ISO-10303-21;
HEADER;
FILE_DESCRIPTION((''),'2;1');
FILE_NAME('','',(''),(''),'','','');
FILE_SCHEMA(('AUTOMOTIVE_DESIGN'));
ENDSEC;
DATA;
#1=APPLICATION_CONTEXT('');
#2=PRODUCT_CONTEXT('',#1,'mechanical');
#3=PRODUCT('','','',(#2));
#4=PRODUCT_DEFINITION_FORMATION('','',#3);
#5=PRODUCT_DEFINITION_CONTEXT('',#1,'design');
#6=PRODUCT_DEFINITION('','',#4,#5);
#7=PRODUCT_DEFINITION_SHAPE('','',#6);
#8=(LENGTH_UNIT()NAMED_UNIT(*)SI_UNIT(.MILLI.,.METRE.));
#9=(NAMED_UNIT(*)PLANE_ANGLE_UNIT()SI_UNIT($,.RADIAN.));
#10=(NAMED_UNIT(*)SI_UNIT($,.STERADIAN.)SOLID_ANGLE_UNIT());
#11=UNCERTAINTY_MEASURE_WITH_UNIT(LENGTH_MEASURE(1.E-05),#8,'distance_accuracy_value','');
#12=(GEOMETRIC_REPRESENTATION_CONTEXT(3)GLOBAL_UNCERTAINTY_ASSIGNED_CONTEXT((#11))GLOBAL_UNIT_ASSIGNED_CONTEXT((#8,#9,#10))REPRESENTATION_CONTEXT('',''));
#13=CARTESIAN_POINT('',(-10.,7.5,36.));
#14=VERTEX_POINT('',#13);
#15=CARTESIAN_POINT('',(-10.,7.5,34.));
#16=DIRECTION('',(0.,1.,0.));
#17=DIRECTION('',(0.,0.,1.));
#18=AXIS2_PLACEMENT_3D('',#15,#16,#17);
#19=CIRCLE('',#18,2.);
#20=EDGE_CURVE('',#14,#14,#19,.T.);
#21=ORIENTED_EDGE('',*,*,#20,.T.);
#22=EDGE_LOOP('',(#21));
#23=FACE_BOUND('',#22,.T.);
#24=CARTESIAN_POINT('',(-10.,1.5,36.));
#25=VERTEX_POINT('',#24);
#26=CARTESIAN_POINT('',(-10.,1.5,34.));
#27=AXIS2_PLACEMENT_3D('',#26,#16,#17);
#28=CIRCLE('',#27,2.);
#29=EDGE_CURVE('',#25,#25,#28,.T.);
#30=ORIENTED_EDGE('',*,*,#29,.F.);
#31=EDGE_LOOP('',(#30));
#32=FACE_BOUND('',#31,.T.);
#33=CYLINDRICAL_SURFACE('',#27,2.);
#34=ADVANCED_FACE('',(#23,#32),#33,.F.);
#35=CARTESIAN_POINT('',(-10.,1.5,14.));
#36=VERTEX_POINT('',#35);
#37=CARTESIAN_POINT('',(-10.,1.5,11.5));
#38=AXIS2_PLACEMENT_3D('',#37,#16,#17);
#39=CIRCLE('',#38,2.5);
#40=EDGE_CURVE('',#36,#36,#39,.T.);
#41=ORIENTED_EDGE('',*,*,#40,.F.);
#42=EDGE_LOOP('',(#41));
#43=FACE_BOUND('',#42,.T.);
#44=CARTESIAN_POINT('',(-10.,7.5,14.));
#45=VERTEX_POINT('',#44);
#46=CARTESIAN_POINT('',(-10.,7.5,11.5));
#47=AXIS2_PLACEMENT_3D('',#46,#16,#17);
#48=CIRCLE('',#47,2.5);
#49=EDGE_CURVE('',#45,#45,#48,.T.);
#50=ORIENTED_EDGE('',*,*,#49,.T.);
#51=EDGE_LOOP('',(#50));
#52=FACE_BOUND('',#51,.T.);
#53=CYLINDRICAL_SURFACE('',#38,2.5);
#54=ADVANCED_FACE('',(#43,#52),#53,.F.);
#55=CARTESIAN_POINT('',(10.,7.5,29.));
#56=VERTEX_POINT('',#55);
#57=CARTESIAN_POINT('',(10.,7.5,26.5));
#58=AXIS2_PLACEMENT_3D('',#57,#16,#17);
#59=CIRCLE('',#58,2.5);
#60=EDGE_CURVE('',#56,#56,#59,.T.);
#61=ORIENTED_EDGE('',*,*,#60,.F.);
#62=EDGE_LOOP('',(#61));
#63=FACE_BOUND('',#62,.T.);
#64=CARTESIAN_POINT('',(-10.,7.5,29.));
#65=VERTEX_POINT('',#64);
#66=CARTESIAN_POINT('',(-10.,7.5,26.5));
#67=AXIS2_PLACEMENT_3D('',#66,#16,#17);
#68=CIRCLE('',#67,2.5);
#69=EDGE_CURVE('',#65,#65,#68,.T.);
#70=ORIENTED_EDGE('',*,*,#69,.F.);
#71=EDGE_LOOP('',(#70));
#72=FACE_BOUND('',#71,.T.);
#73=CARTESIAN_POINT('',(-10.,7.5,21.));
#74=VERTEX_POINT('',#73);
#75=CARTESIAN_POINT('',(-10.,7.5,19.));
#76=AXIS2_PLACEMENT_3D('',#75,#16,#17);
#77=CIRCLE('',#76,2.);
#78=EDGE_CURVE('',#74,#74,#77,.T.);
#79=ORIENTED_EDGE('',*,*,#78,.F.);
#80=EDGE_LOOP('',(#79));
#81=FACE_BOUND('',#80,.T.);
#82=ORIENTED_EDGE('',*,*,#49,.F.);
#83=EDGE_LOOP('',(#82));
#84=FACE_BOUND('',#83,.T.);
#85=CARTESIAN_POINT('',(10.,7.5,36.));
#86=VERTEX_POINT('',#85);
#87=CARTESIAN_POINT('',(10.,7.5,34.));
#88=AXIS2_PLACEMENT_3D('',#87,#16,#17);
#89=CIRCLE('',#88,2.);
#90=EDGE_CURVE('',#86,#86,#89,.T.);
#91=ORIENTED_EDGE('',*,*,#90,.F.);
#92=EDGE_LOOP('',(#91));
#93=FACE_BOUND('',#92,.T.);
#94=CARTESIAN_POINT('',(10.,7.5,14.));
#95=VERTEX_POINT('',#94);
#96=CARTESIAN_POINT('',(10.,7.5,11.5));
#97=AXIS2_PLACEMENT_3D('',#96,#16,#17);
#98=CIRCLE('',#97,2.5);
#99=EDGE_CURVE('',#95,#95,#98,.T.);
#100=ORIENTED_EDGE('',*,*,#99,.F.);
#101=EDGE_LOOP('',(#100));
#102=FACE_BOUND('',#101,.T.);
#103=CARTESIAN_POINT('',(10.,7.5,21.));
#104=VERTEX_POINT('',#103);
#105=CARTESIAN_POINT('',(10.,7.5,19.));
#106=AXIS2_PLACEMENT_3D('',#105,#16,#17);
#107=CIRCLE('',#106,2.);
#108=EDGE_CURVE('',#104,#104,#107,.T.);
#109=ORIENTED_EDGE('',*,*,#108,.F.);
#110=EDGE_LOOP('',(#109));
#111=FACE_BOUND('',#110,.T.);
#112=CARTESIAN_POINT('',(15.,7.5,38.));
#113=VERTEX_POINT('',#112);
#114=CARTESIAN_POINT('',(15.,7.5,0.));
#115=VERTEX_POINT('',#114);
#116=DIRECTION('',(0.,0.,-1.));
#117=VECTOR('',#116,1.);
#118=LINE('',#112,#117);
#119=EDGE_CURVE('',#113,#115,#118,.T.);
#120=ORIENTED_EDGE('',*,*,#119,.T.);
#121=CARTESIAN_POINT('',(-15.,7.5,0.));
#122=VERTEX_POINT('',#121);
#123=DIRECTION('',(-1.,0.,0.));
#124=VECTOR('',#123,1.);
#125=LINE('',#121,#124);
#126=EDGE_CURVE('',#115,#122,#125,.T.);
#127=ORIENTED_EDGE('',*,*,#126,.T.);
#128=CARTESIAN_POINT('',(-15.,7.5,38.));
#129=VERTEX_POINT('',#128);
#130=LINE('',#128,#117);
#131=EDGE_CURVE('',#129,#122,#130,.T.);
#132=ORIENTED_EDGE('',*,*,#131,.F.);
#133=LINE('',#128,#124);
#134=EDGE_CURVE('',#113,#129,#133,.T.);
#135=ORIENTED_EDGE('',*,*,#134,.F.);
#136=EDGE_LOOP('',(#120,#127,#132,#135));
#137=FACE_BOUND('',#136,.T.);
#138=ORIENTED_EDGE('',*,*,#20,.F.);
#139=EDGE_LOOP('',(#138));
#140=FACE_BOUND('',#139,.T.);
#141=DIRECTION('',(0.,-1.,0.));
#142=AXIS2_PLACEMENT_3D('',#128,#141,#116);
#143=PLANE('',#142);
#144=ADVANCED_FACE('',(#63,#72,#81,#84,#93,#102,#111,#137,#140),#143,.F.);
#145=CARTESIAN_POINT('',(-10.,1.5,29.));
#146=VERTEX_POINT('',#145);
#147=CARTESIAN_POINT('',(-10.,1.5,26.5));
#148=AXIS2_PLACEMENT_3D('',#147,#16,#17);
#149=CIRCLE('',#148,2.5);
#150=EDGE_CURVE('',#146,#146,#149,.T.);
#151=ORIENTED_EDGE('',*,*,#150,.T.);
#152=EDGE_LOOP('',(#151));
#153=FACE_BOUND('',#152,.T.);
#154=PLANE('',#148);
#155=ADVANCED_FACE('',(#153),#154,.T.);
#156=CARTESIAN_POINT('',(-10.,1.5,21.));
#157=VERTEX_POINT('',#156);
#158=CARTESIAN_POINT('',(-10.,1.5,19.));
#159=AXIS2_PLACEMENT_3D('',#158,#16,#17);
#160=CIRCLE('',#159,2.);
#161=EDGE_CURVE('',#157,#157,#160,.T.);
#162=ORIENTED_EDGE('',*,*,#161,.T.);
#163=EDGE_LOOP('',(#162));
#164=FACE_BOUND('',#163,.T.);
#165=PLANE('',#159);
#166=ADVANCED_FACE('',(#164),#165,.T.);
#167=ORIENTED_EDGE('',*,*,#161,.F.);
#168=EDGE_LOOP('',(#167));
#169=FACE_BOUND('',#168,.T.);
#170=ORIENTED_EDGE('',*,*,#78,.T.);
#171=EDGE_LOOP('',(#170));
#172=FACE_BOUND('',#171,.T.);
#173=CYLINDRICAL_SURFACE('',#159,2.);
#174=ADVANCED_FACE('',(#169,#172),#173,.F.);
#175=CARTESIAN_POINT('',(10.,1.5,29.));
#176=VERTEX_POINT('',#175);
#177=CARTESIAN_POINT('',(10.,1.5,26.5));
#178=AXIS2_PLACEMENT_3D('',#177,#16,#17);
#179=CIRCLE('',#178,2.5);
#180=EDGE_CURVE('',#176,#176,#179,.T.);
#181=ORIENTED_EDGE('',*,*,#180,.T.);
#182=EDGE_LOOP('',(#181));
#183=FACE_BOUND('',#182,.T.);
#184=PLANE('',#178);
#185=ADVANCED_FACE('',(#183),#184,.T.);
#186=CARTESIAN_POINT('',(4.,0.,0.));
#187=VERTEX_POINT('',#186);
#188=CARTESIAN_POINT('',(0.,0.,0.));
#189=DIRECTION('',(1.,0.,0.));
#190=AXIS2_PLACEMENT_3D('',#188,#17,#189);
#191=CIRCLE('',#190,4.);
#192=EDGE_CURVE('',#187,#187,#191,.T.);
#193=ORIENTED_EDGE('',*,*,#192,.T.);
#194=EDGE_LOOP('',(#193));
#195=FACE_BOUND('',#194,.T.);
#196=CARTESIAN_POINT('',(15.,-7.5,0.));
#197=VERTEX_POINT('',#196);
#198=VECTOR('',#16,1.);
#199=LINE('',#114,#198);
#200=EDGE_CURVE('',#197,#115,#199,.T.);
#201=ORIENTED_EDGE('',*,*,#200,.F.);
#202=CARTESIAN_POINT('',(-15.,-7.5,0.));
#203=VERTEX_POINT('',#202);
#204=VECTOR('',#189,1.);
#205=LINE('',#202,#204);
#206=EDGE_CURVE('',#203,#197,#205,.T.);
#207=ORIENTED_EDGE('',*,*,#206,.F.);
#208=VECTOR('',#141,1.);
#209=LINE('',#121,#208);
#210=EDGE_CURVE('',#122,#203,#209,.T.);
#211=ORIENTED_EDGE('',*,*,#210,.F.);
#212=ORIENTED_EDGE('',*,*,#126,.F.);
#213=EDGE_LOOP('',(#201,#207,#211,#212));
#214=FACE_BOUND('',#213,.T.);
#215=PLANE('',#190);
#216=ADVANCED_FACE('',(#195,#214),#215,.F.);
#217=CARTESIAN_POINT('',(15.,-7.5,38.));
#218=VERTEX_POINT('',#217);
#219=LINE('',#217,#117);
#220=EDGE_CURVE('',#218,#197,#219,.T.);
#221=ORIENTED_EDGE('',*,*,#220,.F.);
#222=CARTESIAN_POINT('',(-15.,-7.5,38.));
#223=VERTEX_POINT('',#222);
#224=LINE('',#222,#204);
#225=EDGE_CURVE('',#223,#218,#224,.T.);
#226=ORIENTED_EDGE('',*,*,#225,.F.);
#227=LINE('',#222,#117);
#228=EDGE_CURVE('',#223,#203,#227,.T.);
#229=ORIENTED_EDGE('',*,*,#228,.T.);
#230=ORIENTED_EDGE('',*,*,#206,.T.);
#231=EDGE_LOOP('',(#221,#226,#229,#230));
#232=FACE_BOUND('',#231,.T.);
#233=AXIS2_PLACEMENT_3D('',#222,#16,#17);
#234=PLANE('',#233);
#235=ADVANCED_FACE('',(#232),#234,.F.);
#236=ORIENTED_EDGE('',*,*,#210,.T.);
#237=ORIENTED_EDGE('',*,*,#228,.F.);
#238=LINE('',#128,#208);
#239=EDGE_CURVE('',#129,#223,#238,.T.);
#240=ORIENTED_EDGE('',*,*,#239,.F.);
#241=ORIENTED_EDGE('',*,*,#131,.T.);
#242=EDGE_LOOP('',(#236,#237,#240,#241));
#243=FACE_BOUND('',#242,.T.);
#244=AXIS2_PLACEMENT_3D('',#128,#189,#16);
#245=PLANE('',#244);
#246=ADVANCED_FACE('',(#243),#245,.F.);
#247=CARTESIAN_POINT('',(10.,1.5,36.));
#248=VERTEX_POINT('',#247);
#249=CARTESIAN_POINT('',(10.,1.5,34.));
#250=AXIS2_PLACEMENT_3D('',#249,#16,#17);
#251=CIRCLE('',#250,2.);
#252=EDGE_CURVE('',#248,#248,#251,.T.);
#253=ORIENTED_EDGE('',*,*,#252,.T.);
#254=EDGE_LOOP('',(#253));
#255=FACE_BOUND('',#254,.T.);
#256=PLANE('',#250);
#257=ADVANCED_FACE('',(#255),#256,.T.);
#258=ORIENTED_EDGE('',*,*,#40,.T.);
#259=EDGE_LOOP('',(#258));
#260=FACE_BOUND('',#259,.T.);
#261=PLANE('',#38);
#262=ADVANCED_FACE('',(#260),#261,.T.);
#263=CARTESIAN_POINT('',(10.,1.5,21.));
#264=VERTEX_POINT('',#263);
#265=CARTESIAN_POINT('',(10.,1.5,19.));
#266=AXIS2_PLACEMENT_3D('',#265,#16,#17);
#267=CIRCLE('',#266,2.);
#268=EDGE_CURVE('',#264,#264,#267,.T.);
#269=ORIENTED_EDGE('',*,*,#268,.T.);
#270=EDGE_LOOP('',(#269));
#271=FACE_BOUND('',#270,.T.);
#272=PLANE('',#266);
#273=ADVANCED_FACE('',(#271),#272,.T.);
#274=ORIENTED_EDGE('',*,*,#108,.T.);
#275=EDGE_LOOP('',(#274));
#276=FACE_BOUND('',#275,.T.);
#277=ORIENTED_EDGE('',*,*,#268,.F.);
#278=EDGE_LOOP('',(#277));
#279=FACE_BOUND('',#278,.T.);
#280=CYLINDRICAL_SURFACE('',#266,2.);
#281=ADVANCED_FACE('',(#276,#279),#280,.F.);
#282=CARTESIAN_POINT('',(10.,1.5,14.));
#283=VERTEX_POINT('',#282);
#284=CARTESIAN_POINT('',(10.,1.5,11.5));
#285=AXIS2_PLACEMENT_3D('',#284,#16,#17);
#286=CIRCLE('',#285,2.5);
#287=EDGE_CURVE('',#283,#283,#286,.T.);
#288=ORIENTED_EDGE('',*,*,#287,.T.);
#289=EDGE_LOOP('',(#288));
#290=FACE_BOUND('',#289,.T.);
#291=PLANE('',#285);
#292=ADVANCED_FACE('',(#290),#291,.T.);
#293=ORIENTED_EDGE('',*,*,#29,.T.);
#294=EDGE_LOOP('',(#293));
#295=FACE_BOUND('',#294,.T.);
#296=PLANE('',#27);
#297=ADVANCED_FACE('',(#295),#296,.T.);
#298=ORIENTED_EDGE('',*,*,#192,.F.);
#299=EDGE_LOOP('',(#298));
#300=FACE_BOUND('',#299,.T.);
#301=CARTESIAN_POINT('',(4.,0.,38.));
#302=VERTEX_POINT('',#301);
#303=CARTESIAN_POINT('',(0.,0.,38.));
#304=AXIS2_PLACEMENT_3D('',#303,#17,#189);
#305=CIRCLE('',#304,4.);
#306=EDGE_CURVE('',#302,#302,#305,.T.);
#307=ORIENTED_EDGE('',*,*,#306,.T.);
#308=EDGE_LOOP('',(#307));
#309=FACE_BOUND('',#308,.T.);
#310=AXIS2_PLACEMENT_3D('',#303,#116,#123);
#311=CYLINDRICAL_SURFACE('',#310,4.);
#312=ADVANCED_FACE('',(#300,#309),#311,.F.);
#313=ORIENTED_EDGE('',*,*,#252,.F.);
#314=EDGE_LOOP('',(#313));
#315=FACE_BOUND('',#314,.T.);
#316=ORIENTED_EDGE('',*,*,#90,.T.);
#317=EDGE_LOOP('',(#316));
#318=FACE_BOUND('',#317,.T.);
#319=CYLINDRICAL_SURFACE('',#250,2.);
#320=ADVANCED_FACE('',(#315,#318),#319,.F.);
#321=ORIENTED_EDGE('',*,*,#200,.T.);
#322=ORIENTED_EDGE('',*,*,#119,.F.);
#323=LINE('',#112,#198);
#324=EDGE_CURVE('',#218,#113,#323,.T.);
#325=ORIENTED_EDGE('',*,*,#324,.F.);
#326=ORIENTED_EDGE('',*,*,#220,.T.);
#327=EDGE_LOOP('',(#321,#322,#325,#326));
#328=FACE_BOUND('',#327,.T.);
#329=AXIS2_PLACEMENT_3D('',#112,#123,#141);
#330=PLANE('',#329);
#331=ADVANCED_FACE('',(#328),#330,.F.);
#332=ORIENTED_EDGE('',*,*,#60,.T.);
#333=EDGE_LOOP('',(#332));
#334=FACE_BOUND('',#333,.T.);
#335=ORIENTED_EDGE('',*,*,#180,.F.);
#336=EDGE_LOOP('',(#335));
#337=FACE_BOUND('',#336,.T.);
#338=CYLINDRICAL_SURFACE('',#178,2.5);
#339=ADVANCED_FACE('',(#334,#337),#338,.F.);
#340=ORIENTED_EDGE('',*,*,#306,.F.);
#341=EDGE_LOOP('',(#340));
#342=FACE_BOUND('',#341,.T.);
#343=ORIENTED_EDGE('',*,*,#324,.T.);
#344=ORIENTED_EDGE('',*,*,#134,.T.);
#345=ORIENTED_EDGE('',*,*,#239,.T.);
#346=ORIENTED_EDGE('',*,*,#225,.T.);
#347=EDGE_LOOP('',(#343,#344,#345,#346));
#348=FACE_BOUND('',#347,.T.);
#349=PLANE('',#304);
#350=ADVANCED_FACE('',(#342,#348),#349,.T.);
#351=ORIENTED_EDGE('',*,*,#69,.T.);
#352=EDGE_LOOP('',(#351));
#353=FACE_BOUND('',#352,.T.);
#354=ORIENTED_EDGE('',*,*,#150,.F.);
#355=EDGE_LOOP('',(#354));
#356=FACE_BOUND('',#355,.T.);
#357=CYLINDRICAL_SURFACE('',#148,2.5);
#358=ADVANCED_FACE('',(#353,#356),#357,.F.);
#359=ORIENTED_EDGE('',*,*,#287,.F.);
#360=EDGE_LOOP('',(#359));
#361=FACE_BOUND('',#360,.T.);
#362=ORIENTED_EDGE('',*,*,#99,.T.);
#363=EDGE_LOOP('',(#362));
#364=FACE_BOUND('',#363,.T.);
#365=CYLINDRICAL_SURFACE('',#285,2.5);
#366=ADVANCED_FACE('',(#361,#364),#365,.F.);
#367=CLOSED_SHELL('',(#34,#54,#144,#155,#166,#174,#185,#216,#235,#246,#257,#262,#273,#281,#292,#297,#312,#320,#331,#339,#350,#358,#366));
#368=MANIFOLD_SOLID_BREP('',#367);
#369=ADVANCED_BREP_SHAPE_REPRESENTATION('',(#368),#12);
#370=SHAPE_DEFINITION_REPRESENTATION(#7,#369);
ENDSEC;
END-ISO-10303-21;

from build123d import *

# Parameters (mm, degrees)
SKETCH_1_W          = 30
SKETCH_1_H          = 15
SKETCH_1_R          = 4
EXTRUDE_1_DEPTH     = 38
SKETCH_2_R          = 2
SKETCH_2_R_2        = 2.5
CUT_EXTRUDE_1_DEPTH = 6


with BuildPart() as part:
    # 草图1 → 凸台-拉伸1 (new body)
    with BuildSketch(Plane.XY):
        Rectangle(SKETCH_1_W, SKETCH_1_H)
        Circle(SKETCH_1_R, mode=Mode.SUBTRACT)
    extrude(amount=EXTRUDE_1_DEPTH)

    # 草图2 → 切除-拉伸1 (cut)
    with BuildSketch(Plane(origin=(0, 7.5, 0), x_dir=(1, 0, 0), z_dir=(0, 1, 0))):
        with Locations(Location((10, -19, 0), (0, 0, 270))):
            Circle(SKETCH_2_R)
        with Locations(Location((-10, -19, 0), (0, 0, 270))):
            Circle(SKETCH_2_R)
        with Locations(Location((10, -26.5, 0), (0, 0, 270))):
            Circle(SKETCH_2_R_2)
        with Locations(Location((-10, -26.5, 0), (0, 0, 270))):
            Circle(SKETCH_2_R_2)
        with Locations(Location((-10, -34, 0), (0, 0, 270))):
            Circle(SKETCH_2_R)
        with Locations(Location((10, -34, 0), (0, 0, 270))):
            Circle(SKETCH_2_R)
        with Locations(Location((10, -11.5, 0), (0, 0, 270))):
            Circle(SKETCH_2_R_2)
        with Locations(Location((-10, -11.5, 0), (0, 0, 270))):
            Circle(SKETCH_2_R_2)
    extrude(amount=-CUT_EXTRUDE_1_DEPTH, mode=Mode.SUBTRACT)


solid = part.part
